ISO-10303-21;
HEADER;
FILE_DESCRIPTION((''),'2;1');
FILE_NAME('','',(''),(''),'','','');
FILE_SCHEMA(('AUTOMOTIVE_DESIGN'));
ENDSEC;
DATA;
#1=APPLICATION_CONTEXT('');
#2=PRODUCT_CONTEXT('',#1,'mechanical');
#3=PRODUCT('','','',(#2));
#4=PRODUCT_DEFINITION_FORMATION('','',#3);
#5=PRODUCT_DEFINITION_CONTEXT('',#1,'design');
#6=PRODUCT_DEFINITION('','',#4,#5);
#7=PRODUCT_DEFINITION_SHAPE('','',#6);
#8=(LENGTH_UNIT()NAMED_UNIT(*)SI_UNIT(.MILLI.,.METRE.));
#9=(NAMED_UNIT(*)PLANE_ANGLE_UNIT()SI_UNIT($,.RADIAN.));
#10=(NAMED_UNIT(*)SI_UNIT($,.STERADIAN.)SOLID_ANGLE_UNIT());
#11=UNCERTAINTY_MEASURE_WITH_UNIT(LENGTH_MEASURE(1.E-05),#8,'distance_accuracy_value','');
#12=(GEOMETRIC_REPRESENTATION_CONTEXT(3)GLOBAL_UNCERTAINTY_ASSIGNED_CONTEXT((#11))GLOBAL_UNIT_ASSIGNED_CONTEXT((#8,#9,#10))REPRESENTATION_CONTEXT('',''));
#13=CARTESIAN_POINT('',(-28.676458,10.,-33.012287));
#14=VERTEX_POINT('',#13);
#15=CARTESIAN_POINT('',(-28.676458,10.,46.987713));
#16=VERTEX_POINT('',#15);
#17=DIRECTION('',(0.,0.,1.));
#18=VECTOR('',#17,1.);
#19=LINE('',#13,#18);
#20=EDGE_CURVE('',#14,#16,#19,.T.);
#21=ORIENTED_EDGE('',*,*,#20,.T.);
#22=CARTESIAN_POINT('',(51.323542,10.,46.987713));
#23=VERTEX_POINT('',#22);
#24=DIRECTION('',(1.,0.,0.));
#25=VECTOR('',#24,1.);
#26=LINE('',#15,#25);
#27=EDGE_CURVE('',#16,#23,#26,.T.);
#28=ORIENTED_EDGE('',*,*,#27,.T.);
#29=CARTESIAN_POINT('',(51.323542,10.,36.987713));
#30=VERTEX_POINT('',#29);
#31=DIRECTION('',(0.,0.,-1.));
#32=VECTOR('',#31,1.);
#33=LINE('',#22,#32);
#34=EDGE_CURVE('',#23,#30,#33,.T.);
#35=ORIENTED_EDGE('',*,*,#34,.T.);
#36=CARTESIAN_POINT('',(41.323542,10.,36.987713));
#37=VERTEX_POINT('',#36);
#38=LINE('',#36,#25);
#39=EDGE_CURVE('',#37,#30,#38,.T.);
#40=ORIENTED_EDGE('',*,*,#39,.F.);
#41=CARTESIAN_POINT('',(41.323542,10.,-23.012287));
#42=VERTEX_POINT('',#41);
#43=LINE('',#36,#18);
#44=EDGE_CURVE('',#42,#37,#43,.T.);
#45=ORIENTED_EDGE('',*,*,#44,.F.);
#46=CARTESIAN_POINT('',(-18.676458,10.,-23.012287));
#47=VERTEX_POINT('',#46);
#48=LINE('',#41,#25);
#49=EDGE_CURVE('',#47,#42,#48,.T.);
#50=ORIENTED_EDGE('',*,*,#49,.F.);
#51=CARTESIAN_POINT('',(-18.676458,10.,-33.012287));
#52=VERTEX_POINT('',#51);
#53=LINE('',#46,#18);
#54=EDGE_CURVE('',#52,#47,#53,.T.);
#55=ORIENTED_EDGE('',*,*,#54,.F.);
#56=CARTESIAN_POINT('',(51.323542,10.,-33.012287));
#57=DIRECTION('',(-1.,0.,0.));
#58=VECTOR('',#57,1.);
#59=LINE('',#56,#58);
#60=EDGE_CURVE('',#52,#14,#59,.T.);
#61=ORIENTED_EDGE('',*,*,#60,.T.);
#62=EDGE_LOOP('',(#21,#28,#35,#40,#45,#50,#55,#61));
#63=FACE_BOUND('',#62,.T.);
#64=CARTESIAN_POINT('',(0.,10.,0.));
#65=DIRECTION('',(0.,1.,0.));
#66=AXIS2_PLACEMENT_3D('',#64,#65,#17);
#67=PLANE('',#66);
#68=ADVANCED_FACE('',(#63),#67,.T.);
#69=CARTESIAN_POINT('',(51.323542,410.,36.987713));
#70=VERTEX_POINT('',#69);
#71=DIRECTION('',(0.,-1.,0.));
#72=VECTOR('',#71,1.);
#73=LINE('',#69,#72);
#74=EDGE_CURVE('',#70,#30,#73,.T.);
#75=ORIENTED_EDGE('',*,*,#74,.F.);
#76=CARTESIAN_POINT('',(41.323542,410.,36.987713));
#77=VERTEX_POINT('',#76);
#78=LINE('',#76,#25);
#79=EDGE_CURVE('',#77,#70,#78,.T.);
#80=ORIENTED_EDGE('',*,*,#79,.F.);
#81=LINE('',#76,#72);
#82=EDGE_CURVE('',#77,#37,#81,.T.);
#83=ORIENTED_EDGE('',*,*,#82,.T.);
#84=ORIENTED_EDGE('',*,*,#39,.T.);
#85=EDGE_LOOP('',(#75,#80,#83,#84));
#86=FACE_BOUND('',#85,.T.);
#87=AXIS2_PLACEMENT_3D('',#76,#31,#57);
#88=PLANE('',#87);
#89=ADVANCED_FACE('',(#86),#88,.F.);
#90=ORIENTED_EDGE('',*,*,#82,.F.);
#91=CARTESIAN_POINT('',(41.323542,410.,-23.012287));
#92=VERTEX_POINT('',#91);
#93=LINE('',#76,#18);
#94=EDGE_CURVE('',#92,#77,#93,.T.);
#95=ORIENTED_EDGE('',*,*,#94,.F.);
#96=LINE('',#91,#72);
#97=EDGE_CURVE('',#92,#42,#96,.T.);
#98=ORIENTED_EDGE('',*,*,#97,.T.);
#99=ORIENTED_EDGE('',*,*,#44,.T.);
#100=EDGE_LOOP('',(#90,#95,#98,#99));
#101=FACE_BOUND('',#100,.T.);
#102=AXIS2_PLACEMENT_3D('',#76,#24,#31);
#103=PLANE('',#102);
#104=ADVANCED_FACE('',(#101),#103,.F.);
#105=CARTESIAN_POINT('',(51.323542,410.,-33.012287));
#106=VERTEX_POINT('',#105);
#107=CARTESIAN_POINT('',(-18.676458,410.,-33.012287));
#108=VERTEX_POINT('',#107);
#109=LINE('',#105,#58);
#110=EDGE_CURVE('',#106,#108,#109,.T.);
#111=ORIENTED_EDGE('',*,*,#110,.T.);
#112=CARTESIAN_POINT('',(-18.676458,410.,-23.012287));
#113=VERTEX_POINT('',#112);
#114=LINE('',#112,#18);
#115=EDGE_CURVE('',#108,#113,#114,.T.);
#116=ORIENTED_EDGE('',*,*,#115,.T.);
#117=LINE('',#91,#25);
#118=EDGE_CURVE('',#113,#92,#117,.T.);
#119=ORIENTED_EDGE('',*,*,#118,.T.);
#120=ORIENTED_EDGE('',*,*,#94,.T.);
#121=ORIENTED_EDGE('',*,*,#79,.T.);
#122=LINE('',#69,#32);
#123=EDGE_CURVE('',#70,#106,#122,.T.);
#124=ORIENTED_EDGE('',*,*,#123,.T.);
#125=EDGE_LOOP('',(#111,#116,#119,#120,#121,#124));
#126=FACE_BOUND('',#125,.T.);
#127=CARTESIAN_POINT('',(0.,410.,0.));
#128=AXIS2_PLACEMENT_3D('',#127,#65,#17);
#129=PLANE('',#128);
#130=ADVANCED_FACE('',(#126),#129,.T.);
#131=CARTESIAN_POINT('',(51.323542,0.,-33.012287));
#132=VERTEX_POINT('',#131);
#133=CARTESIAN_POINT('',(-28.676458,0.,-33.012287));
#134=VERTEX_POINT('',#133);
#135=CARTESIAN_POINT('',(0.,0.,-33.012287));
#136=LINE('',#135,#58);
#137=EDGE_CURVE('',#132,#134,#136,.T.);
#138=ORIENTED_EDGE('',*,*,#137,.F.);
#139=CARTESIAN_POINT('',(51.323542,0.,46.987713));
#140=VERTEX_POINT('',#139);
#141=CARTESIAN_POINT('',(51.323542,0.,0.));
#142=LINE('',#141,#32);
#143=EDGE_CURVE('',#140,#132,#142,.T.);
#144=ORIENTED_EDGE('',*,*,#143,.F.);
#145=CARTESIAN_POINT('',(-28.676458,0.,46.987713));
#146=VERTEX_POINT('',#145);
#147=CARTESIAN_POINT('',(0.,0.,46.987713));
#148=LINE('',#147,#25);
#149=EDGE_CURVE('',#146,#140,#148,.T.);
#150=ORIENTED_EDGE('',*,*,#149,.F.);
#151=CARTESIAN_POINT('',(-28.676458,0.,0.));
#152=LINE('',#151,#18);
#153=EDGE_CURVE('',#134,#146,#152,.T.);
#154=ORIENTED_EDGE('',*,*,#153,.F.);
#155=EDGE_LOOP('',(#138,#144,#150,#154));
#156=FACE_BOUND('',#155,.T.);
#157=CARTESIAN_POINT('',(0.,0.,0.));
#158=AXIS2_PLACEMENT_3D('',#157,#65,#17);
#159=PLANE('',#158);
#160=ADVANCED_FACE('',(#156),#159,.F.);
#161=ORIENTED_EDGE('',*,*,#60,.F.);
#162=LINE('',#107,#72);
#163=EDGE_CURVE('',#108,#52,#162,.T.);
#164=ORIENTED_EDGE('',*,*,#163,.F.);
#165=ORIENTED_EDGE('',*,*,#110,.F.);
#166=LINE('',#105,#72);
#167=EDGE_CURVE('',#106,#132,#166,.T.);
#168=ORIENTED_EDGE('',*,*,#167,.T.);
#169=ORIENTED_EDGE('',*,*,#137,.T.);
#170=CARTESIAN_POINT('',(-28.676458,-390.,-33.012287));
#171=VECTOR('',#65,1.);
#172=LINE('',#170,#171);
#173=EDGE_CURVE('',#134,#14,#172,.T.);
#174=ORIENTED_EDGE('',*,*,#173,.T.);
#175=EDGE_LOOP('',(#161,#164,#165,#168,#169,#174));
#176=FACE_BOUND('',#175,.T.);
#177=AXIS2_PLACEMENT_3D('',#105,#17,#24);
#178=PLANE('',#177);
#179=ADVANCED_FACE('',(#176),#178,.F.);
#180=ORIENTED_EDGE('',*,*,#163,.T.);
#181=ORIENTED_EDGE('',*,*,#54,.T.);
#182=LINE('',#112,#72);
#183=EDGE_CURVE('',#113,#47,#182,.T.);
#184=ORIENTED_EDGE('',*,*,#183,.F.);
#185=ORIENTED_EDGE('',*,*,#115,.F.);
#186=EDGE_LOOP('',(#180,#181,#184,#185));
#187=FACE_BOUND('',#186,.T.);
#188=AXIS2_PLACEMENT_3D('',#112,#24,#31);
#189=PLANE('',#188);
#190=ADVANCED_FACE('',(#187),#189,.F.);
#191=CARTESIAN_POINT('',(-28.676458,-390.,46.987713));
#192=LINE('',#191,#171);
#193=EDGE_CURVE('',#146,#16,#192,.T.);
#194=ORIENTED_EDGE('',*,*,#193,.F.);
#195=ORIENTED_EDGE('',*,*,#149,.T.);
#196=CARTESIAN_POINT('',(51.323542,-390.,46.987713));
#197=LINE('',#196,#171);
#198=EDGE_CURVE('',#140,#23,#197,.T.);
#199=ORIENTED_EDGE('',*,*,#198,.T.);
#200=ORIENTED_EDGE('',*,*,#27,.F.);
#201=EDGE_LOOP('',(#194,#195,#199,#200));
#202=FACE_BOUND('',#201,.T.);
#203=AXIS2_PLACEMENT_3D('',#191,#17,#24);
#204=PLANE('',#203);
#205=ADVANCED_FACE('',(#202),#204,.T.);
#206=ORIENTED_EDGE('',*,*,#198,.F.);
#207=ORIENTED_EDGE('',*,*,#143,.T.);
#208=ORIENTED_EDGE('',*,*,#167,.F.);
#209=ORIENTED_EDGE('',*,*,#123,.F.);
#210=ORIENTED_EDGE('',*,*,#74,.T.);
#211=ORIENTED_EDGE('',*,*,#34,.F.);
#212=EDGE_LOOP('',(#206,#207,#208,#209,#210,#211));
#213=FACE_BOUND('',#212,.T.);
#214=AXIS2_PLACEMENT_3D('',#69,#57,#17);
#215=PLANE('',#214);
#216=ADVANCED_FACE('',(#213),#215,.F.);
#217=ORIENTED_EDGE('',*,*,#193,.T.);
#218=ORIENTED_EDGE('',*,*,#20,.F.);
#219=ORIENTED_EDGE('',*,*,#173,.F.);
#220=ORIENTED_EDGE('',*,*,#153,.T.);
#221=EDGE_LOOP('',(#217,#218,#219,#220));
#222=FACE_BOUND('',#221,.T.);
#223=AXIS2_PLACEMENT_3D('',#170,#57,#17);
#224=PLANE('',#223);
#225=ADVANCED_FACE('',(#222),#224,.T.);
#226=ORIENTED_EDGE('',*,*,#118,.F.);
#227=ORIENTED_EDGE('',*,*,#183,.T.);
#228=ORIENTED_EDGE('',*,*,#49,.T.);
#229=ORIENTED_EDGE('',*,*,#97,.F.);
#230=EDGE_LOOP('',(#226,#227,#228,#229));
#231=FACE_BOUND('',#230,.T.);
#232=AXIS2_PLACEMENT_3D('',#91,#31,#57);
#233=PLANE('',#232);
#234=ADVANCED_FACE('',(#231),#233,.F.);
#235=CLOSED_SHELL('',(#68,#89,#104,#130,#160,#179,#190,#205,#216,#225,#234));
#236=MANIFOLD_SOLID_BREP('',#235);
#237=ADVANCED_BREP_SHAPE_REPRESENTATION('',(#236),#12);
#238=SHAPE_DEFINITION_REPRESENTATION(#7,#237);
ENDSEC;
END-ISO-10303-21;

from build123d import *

# Parameters (mm, degrees)
SKETCH_1_W           = 100
SKETCH_1_H           = 100
EXTRUDE_1_DEPTH      = 10
EXTRUDE_2_DEPTH      = 400
SKETCH_3_OUTSIDE_W   = 188.74
SKETCH_3_OUTSIDE_H   = 188.74
SKETCH_3_OUTSIDE_W_2 = 80
SKETCH_3_OUTSIDE_H_2 = 80
CUT_EXTRUDE_1_DEPTH  = 400


with BuildPart() as part:
    # 草图1 → 凸台-拉伸1 (new body)
    with BuildSketch(Plane(origin=(0, 0, 0), x_dir=(1, 0, 0), z_dir=(0, 1, 0))):
        with Locations((11.323542268, -6.987712791)):
            Rectangle(SKETCH_1_W, SKETCH_1_H)
    extrude(amount=EXTRUDE_1_DEPTH)

    # 草图2 → 凸台-拉伸2 (add)
    with BuildSketch(Plane(origin=(0, 10, 0), x_dir=(1, 0, 0), z_dir=(0, 1, 0))):
        Polygon((51.323542268, 33.012287209), (-18.676457732, 33.012287209), (-18.676457732, 23.012287209), (41.323542268, 23.012287209), (41.323542268, -36.987712791), (51.323542268, -36.987712791), align=None)
    extrude(amount=EXTRUDE_2_DEPTH)

    # 草图3 outside → 切除-拉伸1 (cut)
    with BuildSketch(Plane(origin=(0, 10, 0), x_dir=(1, 0, 0), z_dir=(0, 1, 0))):
        with Locations((11.324, -6.988)):
            Rectangle(SKETCH_3_OUTSIDE_W, SKETCH_3_OUTSIDE_H)
        with Locations((11.323542268, -6.987712791)):
            Rectangle(SKETCH_3_OUTSIDE_W_2, SKETCH_3_OUTSIDE_H_2, mode=Mode.SUBTRACT)
    extrude(amount=-CUT_EXTRUDE_1_DEPTH, mode=Mode.SUBTRACT)


solid = part.part
